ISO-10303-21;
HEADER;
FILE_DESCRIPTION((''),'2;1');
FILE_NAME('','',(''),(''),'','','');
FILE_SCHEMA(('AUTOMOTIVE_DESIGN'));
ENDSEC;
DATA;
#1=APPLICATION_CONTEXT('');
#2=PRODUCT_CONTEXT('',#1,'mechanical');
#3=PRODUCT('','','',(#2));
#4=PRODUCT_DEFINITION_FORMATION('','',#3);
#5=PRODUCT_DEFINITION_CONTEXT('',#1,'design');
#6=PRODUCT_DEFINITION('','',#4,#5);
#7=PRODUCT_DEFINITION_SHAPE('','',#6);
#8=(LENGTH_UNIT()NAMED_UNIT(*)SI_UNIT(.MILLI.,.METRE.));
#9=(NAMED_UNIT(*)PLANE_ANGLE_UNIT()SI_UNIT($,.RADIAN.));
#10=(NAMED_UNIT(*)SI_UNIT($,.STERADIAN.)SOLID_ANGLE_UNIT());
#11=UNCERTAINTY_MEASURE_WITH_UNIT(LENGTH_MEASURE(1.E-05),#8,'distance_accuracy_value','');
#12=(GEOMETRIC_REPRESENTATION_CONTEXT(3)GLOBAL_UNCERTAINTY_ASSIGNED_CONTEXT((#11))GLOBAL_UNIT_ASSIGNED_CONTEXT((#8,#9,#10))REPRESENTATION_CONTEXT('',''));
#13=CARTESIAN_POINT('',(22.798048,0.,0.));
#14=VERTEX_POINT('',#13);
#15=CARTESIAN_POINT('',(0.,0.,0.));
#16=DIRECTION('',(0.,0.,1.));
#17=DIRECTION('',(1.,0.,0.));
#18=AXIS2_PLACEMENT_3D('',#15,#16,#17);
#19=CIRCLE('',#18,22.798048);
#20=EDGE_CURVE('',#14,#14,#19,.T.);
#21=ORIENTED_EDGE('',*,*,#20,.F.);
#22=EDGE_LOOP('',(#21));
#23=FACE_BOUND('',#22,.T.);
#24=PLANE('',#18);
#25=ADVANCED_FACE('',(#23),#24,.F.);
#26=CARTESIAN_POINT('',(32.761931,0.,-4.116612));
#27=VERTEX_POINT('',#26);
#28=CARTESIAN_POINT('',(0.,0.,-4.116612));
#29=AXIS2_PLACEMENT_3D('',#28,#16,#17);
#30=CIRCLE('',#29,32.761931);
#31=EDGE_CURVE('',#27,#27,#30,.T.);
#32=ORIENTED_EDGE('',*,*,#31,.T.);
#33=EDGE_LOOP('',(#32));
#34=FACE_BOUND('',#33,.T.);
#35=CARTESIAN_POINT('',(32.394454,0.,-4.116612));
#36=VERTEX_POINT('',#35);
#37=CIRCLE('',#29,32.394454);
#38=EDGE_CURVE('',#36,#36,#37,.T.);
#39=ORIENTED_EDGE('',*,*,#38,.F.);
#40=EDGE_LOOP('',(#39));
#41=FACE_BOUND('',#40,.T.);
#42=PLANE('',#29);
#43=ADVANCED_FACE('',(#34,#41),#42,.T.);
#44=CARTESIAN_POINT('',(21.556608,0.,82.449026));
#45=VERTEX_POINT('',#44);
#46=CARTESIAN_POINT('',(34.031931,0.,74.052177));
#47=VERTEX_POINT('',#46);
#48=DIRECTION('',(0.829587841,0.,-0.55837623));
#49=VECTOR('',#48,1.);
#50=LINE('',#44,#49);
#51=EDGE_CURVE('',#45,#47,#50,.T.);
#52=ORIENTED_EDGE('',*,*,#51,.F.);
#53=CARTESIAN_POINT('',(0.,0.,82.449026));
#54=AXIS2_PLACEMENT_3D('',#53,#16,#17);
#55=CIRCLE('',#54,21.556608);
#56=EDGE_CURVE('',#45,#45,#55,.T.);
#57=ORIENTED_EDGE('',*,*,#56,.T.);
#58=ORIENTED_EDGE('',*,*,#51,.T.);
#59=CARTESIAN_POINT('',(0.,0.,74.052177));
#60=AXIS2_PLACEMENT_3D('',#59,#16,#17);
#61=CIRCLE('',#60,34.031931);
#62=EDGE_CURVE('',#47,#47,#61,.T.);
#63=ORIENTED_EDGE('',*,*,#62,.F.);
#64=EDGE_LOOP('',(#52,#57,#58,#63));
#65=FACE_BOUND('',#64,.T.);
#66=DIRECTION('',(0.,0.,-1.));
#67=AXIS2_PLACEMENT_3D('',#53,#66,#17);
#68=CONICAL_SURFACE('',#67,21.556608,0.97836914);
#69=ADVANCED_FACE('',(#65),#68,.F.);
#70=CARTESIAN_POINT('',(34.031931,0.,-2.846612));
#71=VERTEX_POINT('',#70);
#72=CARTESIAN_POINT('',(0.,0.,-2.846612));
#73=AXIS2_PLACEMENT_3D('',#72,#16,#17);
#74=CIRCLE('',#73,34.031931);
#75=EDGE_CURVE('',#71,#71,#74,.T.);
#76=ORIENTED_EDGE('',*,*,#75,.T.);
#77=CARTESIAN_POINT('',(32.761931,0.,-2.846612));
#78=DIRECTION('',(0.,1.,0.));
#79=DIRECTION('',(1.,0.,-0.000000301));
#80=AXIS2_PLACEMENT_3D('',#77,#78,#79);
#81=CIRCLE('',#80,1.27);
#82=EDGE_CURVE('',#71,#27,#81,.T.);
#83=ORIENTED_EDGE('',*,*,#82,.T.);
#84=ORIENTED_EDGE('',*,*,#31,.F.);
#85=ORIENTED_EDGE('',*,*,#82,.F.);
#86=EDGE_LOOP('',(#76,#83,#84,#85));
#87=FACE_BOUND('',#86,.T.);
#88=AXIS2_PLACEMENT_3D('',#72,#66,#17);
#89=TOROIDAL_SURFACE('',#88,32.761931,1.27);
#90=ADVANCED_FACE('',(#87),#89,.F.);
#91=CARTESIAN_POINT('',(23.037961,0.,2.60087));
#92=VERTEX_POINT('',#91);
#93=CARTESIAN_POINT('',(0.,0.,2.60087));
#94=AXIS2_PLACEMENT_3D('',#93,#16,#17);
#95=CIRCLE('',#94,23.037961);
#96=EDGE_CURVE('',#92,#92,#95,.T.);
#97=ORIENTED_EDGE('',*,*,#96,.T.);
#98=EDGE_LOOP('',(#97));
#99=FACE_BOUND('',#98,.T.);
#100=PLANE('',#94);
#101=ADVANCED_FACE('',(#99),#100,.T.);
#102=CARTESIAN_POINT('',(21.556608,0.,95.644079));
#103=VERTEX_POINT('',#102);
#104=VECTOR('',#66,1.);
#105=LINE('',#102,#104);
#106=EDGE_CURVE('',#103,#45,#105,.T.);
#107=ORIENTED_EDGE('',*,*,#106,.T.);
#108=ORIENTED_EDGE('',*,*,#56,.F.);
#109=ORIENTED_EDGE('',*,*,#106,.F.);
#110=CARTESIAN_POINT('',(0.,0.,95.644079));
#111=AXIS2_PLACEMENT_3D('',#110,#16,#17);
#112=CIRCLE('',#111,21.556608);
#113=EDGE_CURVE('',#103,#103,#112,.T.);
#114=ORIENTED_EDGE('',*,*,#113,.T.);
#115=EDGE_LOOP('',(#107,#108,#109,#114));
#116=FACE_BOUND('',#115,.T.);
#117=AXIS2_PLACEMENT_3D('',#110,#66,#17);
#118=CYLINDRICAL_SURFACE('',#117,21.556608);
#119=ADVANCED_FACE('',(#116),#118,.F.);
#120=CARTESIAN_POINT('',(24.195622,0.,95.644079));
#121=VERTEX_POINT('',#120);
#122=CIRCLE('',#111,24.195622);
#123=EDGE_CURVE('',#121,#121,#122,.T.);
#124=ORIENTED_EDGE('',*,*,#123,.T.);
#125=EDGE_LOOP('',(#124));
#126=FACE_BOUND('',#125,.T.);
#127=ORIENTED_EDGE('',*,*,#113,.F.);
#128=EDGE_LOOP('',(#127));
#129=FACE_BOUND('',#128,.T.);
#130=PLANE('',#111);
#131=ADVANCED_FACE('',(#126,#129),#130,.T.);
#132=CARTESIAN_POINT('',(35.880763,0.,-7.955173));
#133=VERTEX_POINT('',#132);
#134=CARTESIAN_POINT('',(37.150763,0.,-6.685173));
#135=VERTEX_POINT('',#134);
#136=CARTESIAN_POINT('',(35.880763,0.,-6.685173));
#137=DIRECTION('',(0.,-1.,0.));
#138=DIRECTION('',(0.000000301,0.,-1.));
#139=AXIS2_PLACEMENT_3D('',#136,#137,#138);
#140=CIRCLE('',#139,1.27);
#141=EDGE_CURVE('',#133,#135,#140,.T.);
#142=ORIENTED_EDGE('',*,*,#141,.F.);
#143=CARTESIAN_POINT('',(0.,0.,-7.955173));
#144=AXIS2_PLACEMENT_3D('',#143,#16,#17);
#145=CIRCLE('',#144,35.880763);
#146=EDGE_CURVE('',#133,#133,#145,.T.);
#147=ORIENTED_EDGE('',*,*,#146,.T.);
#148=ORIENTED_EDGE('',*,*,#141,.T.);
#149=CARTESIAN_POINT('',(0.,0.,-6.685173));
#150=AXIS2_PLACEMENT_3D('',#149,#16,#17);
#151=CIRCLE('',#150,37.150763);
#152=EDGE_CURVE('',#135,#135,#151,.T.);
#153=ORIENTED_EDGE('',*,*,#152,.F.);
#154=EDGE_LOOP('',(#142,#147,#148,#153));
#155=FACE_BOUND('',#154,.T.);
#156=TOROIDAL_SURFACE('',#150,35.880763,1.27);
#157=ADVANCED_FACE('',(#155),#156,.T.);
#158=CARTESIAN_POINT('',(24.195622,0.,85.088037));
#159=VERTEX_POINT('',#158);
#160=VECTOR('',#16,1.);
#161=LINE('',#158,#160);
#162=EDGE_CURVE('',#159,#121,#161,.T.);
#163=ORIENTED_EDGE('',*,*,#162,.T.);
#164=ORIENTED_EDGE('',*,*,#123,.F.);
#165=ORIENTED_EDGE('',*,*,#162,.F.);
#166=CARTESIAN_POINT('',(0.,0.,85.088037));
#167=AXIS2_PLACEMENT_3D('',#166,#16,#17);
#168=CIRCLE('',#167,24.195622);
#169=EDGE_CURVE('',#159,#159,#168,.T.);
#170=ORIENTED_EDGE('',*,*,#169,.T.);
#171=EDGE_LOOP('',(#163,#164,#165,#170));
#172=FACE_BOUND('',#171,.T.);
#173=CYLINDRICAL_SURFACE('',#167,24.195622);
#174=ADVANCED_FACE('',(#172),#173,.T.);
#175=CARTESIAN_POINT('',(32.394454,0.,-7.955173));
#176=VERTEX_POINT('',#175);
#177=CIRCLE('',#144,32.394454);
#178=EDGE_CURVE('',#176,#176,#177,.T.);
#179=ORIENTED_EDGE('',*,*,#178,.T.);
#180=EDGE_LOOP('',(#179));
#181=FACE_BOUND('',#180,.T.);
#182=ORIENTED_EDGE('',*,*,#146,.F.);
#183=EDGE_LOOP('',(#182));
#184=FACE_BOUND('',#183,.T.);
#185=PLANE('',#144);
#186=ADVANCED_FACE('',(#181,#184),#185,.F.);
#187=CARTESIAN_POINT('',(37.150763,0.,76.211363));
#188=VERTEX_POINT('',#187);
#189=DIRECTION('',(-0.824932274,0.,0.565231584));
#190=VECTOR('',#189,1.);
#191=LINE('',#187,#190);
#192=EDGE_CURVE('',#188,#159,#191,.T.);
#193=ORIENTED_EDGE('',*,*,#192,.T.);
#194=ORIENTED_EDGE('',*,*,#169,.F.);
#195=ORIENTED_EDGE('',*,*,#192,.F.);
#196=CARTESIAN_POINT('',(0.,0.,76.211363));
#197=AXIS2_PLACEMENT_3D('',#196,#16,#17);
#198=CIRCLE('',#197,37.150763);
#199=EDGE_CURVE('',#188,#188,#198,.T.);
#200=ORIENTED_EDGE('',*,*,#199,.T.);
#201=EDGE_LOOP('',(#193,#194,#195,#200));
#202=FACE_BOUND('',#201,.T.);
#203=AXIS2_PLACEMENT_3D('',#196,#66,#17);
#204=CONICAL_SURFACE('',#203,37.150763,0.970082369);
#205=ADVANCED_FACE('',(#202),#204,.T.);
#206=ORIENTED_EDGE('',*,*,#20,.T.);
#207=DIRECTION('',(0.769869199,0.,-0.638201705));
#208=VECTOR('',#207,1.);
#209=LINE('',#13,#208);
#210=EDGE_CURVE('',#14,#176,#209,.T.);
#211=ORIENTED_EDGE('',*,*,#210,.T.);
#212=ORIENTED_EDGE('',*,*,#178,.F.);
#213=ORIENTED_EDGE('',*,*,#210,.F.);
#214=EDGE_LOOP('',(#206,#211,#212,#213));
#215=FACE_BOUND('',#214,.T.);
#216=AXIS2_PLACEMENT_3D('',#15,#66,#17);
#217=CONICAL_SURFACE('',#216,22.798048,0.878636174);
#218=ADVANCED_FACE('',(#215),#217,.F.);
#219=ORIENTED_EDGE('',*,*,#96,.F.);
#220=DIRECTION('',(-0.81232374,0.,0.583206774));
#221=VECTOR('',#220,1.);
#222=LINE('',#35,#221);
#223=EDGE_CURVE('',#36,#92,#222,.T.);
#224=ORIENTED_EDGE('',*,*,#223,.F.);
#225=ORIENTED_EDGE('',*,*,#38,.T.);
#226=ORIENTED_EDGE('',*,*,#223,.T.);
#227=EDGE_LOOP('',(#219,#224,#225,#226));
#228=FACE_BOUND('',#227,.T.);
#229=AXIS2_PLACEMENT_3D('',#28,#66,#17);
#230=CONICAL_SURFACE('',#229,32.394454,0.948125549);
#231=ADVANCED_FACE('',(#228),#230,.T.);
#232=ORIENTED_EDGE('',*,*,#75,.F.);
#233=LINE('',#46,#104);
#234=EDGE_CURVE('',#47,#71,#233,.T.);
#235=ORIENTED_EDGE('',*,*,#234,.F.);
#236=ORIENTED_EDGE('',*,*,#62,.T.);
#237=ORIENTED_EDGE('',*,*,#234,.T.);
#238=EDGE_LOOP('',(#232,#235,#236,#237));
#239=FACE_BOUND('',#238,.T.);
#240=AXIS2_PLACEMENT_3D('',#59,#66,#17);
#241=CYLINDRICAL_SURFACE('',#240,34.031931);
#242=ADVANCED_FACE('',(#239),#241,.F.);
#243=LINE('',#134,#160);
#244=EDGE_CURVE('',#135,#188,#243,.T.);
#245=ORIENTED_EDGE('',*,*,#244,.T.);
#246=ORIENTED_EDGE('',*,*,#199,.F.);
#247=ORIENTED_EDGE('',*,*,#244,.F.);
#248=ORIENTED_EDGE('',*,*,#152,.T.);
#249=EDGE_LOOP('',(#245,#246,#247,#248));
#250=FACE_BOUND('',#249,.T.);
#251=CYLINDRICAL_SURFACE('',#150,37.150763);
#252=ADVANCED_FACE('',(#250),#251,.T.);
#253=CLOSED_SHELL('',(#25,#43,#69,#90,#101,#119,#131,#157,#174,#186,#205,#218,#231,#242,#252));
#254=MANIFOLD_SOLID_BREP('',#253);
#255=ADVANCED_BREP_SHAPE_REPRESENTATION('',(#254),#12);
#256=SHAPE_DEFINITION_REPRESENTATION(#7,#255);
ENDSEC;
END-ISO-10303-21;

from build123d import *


with BuildPart() as f1:
    # F0 (on Front) → F1 (revolve)
    with BuildSketch(Plane.XZ):
        with BuildLine():
            Line((0, 2.60087), (0, 0))
            Line((0, 0), (22.798048, 0))
            Line((22.798048, 0), (32.394454, -7.955173))
            Line((32.394454, -7.955173), (35.880763, -7.955173))
            ThreePointArc((35.880763, -7.955173), (36.778788, -7.583199), (37.150763, -6.685173))
            Line((37.150763, -6.685173), (37.150763, 76.211363))
            Line((37.150763, 76.211363), (24.195622, 85.088037))
            Line((24.195622, 85.088037), (24.195622, 95.644079))
            Line((24.195622, 95.644079), (21.556608, 95.644079))
            Line((21.556608, 95.644079), (21.556608, 82.449026))
            Line((21.556608, 82.449026), (34.031931, 74.052177))
            Line((34.031931, 74.052177), (34.031931, -2.846612))
            ThreePointArc((34.031931, -2.846612), (33.659956, -3.744638), (32.761931, -4.116612))
            Line((32.761931, -4.116612), (32.394454, -4.116612))
            Line((32.394454, -4.116612), (23.037961, 2.60087))
            Line((23.037961, 2.60087), (0, 2.60087))
        make_face()
    revolve(axis=Axis((0, 0, 41.504439), (0, 0, 1)))


solid = f1.part
